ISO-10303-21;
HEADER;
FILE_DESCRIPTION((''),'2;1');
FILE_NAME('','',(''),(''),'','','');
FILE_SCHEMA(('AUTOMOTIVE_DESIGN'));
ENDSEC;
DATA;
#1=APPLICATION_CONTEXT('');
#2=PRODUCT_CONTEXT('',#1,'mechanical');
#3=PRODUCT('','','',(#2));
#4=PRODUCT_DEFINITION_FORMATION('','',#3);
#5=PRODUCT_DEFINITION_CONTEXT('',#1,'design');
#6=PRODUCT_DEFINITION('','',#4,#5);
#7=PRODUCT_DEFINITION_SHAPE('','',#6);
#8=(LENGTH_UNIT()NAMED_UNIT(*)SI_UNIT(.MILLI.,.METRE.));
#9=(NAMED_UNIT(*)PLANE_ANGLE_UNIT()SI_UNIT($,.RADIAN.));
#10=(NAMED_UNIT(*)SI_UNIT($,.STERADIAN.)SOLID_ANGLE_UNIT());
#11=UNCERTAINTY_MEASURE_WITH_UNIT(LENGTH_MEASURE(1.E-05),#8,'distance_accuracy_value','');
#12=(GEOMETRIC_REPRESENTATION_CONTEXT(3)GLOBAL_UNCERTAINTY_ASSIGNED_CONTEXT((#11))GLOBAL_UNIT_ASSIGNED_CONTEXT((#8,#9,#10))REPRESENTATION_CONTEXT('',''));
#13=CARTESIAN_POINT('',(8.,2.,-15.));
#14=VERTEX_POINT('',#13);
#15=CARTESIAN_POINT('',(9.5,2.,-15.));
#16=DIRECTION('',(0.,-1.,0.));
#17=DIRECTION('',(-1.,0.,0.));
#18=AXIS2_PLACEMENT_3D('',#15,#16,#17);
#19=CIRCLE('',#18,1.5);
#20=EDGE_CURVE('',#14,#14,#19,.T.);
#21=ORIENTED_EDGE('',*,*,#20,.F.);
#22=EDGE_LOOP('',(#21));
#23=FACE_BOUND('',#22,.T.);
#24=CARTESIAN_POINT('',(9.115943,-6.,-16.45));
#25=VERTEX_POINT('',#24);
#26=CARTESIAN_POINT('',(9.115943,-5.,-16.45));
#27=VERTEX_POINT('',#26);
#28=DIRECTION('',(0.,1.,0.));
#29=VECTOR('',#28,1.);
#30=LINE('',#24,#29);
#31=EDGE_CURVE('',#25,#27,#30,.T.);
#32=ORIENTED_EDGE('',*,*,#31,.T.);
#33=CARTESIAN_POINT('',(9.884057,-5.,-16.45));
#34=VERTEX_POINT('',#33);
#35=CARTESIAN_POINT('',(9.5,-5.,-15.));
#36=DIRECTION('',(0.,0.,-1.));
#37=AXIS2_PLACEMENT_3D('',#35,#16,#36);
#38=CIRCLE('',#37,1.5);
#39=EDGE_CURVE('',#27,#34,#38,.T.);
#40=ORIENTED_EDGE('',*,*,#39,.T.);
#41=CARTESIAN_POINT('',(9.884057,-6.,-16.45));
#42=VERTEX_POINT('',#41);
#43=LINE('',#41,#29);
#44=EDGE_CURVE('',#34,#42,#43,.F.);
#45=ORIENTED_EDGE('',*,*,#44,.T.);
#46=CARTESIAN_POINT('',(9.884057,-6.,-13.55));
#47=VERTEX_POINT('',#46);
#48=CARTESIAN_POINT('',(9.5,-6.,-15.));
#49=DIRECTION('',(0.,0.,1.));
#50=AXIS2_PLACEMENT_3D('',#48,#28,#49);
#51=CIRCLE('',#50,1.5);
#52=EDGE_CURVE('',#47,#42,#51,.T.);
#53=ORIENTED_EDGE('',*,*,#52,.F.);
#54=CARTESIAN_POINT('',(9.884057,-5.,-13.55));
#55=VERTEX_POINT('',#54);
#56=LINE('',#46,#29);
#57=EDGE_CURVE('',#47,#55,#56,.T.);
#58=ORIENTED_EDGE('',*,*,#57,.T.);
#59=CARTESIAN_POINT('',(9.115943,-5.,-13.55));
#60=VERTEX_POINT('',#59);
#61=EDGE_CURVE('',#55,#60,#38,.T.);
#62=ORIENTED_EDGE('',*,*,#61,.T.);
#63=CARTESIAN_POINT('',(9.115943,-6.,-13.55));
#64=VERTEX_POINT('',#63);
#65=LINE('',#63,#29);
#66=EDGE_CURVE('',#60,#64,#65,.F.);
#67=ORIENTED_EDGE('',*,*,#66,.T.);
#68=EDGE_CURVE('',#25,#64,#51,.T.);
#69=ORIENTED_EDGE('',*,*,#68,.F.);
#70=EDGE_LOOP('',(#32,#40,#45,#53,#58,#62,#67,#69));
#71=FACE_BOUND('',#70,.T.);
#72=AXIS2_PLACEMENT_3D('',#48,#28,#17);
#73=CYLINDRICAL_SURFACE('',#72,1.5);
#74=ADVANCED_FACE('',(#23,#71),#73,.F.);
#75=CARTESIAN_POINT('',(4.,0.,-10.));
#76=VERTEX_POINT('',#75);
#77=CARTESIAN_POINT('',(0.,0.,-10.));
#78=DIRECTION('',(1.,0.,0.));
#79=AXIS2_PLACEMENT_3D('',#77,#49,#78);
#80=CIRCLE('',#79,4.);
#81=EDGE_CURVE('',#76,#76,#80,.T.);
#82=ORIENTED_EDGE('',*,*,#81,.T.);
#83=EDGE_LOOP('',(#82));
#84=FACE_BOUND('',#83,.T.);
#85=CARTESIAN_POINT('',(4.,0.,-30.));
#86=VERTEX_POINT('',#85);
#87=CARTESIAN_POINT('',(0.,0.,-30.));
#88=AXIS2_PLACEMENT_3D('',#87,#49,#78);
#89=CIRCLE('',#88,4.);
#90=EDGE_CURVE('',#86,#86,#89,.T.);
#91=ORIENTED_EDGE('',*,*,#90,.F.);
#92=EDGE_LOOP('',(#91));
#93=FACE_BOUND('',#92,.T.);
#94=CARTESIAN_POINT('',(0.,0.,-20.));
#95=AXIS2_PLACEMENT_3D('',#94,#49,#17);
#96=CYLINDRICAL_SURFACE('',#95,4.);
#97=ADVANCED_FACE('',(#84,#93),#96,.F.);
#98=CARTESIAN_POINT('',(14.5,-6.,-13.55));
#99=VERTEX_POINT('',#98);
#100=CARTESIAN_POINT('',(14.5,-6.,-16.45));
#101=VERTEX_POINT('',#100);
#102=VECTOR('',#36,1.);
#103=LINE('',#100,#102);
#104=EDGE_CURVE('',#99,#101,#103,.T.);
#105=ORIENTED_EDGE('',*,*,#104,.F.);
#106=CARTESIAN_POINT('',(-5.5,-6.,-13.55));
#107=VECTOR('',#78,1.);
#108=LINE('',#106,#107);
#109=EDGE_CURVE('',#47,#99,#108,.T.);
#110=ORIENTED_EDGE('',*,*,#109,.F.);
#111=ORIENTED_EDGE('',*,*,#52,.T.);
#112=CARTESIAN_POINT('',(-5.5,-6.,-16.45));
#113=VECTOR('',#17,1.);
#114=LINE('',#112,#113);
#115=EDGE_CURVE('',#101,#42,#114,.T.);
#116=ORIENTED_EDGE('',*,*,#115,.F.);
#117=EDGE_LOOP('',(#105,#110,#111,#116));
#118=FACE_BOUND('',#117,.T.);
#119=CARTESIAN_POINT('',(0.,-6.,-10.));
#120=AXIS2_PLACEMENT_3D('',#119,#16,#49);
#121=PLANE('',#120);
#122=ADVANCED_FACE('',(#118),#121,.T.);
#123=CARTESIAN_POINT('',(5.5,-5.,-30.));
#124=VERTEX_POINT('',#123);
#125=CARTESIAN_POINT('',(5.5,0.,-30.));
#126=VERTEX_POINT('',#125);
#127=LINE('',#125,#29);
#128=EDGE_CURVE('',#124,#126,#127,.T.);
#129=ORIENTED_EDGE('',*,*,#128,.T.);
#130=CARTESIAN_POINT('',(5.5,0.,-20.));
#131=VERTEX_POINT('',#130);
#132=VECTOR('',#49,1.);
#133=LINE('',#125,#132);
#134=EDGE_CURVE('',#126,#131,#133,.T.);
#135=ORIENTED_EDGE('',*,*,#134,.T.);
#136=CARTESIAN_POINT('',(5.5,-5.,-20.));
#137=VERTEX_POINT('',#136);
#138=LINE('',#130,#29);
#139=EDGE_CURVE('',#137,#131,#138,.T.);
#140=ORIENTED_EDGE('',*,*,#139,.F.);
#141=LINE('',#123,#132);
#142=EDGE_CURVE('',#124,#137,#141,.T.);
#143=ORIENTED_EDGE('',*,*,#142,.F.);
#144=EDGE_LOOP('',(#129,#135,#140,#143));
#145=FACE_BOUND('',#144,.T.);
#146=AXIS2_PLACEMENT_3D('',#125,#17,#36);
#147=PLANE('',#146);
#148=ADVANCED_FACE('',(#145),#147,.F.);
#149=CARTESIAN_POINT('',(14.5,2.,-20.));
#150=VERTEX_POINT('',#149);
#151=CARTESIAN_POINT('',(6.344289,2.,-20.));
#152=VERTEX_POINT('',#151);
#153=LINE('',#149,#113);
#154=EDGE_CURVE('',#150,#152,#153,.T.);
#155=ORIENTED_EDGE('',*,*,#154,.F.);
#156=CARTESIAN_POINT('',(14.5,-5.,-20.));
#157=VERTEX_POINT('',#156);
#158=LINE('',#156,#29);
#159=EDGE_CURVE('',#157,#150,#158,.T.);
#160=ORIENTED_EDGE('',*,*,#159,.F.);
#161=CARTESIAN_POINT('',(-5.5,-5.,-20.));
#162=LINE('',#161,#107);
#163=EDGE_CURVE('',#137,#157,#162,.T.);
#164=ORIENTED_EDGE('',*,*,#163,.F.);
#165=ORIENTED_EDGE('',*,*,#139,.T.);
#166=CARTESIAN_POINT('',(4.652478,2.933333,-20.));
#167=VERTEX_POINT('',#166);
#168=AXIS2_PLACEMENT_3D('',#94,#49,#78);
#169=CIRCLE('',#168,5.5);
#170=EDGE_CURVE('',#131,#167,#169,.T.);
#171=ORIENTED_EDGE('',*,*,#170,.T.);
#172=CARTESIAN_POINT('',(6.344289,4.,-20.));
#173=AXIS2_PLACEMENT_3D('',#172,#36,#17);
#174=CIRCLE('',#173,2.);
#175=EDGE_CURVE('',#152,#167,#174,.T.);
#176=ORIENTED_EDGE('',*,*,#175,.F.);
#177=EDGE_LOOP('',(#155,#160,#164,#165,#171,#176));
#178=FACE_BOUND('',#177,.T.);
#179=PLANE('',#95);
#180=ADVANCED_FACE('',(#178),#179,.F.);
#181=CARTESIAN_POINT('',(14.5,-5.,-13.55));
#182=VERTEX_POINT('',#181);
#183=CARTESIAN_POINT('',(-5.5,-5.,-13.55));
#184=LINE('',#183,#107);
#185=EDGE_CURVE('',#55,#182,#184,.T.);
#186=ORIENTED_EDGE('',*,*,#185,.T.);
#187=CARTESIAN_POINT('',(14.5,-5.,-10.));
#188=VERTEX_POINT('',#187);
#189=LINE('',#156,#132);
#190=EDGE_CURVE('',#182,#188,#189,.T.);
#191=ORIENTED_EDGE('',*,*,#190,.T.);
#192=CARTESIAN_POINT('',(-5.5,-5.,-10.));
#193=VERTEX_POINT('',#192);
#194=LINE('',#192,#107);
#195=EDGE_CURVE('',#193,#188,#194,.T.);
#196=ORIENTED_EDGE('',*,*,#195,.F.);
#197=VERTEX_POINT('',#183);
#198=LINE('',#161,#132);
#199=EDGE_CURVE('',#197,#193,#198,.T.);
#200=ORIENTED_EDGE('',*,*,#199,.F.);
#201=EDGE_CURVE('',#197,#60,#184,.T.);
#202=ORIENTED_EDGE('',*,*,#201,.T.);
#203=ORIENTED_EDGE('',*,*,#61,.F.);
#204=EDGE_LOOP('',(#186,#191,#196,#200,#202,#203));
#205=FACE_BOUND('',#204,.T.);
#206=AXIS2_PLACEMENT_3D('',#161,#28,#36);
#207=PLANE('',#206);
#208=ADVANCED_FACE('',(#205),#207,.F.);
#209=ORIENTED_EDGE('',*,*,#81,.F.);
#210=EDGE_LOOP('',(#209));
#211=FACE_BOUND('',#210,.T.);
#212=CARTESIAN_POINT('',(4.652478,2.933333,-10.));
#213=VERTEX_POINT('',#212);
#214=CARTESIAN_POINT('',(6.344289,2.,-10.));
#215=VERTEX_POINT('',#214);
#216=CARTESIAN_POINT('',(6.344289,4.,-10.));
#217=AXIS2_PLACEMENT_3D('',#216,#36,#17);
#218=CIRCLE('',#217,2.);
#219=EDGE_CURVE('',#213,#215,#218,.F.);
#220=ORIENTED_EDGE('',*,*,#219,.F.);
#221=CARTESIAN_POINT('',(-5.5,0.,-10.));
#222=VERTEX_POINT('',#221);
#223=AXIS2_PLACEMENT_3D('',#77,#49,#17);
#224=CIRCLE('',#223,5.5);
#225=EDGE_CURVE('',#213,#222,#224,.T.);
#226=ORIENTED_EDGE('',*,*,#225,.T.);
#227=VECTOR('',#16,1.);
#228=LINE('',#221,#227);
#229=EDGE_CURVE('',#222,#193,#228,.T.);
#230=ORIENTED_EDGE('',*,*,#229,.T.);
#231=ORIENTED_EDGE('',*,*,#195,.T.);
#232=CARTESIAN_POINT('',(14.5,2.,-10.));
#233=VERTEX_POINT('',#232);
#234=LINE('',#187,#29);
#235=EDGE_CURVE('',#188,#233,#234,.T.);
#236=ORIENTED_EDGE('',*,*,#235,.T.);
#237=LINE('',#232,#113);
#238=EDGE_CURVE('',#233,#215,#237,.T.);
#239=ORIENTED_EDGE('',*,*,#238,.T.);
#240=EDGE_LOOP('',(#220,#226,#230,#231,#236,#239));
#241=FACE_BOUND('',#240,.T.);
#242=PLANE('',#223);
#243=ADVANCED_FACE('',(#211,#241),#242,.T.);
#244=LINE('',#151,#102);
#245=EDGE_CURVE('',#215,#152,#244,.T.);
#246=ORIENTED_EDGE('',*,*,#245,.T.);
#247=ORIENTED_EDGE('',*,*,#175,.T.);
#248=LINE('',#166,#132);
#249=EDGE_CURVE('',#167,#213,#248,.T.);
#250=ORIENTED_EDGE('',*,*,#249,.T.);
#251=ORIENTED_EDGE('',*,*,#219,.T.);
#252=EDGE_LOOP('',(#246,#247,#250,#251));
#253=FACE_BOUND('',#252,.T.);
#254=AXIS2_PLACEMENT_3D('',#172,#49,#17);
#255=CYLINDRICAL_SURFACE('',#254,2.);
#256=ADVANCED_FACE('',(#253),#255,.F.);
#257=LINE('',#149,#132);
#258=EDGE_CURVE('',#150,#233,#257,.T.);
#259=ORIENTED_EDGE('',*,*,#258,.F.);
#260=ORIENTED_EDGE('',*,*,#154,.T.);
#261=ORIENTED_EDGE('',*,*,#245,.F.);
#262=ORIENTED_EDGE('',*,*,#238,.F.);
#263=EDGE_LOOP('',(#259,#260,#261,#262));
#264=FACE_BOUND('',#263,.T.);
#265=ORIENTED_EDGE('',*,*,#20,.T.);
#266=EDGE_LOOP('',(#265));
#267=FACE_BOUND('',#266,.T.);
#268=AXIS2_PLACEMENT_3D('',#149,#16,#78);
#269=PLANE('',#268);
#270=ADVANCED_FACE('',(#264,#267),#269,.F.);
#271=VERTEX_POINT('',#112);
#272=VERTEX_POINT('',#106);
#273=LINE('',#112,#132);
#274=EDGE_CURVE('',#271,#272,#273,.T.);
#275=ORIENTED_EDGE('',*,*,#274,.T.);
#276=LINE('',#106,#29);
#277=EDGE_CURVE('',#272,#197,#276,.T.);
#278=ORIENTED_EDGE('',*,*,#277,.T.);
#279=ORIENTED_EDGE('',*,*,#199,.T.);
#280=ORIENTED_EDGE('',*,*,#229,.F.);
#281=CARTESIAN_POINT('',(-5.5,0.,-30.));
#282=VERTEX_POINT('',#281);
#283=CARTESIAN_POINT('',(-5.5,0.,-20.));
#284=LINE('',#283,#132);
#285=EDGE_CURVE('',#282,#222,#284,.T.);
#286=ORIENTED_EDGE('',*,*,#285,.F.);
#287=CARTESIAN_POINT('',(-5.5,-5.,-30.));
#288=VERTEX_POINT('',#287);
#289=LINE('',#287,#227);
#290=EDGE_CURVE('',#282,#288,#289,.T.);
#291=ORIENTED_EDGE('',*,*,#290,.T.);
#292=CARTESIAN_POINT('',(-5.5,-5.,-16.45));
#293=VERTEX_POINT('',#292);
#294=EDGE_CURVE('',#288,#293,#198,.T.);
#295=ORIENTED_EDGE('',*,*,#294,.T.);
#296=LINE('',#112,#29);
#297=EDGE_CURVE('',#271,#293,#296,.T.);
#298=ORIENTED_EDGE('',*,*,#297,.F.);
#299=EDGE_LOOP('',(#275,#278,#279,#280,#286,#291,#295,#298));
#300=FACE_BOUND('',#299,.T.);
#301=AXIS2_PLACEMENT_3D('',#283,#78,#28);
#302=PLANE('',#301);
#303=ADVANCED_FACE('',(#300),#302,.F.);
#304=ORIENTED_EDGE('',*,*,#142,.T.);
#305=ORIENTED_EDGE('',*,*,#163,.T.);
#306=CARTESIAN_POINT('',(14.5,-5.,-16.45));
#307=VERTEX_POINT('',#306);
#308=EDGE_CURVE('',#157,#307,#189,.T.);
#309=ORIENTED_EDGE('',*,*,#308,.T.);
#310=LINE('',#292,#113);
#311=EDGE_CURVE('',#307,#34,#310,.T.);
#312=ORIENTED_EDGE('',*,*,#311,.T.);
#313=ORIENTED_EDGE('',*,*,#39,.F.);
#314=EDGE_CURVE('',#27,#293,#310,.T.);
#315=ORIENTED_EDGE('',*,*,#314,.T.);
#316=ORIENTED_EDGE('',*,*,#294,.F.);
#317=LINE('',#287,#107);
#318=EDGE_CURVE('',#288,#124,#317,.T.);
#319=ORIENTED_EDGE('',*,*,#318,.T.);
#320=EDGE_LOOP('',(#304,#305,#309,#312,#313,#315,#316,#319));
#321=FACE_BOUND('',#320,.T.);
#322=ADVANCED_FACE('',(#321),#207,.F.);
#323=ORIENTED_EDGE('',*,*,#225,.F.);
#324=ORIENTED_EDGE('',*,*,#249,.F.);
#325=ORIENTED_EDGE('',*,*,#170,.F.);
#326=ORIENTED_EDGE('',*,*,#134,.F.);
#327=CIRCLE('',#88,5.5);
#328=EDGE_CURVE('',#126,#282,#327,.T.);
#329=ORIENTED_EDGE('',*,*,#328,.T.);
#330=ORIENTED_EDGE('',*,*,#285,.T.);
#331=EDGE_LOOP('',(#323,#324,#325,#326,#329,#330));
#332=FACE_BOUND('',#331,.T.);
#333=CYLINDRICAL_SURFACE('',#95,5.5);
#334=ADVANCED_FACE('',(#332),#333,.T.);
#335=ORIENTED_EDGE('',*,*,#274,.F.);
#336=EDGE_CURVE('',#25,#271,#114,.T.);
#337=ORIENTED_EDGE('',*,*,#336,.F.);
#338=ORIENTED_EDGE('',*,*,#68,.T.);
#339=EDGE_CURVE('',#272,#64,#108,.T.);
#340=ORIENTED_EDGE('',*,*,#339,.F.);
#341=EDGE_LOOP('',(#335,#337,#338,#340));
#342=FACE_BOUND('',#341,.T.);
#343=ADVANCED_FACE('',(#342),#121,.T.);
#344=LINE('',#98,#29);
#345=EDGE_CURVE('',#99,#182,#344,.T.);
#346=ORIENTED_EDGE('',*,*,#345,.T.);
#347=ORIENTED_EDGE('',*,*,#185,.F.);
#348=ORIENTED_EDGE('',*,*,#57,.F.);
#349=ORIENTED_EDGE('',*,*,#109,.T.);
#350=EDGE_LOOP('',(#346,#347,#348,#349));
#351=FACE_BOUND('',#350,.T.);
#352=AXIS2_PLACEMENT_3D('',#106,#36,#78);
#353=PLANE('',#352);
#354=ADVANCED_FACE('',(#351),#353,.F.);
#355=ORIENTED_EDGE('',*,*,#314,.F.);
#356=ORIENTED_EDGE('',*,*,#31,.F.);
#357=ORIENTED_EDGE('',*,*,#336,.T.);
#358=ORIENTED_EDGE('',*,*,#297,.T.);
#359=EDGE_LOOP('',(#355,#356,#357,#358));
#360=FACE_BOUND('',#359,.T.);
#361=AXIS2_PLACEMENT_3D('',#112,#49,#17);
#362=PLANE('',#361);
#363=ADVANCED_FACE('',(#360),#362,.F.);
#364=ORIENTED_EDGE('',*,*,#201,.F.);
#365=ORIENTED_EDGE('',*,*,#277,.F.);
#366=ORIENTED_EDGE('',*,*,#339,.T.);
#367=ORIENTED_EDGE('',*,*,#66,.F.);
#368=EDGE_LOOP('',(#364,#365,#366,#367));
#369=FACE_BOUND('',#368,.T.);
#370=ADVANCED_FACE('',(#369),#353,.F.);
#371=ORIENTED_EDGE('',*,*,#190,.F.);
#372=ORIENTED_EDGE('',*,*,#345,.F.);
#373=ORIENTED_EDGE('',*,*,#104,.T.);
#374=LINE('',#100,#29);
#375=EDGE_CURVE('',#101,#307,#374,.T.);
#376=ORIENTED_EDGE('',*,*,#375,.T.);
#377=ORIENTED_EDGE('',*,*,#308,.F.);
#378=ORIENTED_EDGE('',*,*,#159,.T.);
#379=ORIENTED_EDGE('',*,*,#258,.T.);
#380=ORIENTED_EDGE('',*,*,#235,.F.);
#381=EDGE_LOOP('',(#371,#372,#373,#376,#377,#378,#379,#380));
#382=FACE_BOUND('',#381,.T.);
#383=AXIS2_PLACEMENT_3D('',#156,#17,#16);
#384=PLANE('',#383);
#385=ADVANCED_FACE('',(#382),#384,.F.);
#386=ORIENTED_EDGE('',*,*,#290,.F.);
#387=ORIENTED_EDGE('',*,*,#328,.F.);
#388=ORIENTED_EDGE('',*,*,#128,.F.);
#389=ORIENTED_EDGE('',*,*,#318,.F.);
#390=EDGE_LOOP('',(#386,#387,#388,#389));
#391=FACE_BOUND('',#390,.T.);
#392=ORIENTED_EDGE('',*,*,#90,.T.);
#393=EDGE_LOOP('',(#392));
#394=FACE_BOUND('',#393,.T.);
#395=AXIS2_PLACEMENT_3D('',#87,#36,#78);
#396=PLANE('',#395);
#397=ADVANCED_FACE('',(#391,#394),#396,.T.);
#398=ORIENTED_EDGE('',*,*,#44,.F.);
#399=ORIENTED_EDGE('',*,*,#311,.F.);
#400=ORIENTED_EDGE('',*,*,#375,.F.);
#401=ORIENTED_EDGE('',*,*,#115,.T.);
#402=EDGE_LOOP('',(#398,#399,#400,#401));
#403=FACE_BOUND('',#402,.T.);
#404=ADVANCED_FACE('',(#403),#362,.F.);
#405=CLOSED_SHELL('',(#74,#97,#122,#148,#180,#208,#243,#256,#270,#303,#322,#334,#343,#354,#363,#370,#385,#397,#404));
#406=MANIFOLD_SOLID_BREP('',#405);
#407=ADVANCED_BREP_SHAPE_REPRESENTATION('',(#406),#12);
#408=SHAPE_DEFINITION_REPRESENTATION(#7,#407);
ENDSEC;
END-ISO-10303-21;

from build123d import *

# Parameters (mm, degrees)
SKETCH1_R                       = 4
MAIN_DEPTH                      = 10
SKETCH3_W                       = 20
SKETCH3_H                       = 2.9
MAKERBEAMRECTANGULARGUIDE_DEPTH = 1
SKETCH4_R                       = 1.5
MAKERBEAMFIXHOLE_DEPTH          = 9
FILLET1_R                       = 2
SKETCH5_R                       = 4
BOSS_EXTRUDE1_DEPTH             = 10
SKETCH6_W                       = 46.055005367
SKETCH6_H                       = 38.791045171
CUT_EXTRUDE1_DEPTH              = 26


with BuildPart() as part:
    # Sketch1 → Main (new body)
    with BuildSketch(Plane.XY):
        with BuildLine():
            Line((-5.5, 0), (-5.5, -5))
            Line((-5.5, -5), (14.5, -5))
            Line((14.5, -5), (14.5, 2))
            Line((14.5, 2), (5.123475383, 2))
            ThreePointArc((5.123475383, 2), (-1.017567048, 5.405049242), (-5.5, 0))
        make_face()
        Circle(SKETCH1_R, mode=Mode.SUBTRACT)
    extrude(amount=MAIN_DEPTH)

    # Sketch3 → MakerBeamRectangularGuide (add)
    with BuildSketch(Plane(origin=(0, -5, 0), x_dir=(-1, 0, 0), z_dir=(0, -1, 0))):
        with Locations((-4.5, -5)):
            Rectangle(SKETCH3_W, SKETCH3_H)
    extrude(amount=MAKERBEAMRECTANGULARGUIDE_DEPTH)

    # Sketch4 → MakerBeamFixHole (cut, through all)
    with BuildSketch(Plane(origin=(0, 2, 0), x_dir=(1, 0, 0), z_dir=(0, 1, 0))):
        with Locations((9.5, -5)):
            Circle(SKETCH4_R)
    extrude(amount=-MAKERBEAMFIXHOLE_DEPTH, mode=Mode.SUBTRACT)

    # Fillet1
    fillet1_edges = [part.edges().sort_by_distance(p)[0] for p in [
        (5.123475383, 2, 5),
    ]]
    fillet(fillet1_edges, radius=FILLET1_R)

    # Sketch5 → Boss-Extrude1 (add)
    with BuildSketch(Plane.XY.offset(10)):
        with BuildLine():
            Line((-5.5, -5), (5.5, -5))
            Line((5.5, -5), (5.5, 0))
            ThreePointArc((5.5, 0), (0, 5.5), (-5.5, 0))
            Line((-5.5, 0), (-5.5, -5))
        make_face()
        Circle(SKETCH5_R, mode=Mode.SUBTRACT)
    extrude(amount=BOSS_EXTRUDE1_DEPTH)


with BuildPart() as body_2:
    # Mirror1: mirrored copy
    add(part.part.mirror(Plane.XY.offset(-5)))


with BuildPart() as part_1:
    add(part.part)

    # Sketch6 → Cut-Extrude1 (cut, through all)
    with BuildSketch(Plane.XY.offset(-5)):
        with Locations((5.115796775, 3.309712685)):
            Rectangle(SKETCH6_W, SKETCH6_H)
    extrude(amount=CUT_EXTRUDE1_DEPTH, mode=Mode.SUBTRACT)


solid = body_2.part
